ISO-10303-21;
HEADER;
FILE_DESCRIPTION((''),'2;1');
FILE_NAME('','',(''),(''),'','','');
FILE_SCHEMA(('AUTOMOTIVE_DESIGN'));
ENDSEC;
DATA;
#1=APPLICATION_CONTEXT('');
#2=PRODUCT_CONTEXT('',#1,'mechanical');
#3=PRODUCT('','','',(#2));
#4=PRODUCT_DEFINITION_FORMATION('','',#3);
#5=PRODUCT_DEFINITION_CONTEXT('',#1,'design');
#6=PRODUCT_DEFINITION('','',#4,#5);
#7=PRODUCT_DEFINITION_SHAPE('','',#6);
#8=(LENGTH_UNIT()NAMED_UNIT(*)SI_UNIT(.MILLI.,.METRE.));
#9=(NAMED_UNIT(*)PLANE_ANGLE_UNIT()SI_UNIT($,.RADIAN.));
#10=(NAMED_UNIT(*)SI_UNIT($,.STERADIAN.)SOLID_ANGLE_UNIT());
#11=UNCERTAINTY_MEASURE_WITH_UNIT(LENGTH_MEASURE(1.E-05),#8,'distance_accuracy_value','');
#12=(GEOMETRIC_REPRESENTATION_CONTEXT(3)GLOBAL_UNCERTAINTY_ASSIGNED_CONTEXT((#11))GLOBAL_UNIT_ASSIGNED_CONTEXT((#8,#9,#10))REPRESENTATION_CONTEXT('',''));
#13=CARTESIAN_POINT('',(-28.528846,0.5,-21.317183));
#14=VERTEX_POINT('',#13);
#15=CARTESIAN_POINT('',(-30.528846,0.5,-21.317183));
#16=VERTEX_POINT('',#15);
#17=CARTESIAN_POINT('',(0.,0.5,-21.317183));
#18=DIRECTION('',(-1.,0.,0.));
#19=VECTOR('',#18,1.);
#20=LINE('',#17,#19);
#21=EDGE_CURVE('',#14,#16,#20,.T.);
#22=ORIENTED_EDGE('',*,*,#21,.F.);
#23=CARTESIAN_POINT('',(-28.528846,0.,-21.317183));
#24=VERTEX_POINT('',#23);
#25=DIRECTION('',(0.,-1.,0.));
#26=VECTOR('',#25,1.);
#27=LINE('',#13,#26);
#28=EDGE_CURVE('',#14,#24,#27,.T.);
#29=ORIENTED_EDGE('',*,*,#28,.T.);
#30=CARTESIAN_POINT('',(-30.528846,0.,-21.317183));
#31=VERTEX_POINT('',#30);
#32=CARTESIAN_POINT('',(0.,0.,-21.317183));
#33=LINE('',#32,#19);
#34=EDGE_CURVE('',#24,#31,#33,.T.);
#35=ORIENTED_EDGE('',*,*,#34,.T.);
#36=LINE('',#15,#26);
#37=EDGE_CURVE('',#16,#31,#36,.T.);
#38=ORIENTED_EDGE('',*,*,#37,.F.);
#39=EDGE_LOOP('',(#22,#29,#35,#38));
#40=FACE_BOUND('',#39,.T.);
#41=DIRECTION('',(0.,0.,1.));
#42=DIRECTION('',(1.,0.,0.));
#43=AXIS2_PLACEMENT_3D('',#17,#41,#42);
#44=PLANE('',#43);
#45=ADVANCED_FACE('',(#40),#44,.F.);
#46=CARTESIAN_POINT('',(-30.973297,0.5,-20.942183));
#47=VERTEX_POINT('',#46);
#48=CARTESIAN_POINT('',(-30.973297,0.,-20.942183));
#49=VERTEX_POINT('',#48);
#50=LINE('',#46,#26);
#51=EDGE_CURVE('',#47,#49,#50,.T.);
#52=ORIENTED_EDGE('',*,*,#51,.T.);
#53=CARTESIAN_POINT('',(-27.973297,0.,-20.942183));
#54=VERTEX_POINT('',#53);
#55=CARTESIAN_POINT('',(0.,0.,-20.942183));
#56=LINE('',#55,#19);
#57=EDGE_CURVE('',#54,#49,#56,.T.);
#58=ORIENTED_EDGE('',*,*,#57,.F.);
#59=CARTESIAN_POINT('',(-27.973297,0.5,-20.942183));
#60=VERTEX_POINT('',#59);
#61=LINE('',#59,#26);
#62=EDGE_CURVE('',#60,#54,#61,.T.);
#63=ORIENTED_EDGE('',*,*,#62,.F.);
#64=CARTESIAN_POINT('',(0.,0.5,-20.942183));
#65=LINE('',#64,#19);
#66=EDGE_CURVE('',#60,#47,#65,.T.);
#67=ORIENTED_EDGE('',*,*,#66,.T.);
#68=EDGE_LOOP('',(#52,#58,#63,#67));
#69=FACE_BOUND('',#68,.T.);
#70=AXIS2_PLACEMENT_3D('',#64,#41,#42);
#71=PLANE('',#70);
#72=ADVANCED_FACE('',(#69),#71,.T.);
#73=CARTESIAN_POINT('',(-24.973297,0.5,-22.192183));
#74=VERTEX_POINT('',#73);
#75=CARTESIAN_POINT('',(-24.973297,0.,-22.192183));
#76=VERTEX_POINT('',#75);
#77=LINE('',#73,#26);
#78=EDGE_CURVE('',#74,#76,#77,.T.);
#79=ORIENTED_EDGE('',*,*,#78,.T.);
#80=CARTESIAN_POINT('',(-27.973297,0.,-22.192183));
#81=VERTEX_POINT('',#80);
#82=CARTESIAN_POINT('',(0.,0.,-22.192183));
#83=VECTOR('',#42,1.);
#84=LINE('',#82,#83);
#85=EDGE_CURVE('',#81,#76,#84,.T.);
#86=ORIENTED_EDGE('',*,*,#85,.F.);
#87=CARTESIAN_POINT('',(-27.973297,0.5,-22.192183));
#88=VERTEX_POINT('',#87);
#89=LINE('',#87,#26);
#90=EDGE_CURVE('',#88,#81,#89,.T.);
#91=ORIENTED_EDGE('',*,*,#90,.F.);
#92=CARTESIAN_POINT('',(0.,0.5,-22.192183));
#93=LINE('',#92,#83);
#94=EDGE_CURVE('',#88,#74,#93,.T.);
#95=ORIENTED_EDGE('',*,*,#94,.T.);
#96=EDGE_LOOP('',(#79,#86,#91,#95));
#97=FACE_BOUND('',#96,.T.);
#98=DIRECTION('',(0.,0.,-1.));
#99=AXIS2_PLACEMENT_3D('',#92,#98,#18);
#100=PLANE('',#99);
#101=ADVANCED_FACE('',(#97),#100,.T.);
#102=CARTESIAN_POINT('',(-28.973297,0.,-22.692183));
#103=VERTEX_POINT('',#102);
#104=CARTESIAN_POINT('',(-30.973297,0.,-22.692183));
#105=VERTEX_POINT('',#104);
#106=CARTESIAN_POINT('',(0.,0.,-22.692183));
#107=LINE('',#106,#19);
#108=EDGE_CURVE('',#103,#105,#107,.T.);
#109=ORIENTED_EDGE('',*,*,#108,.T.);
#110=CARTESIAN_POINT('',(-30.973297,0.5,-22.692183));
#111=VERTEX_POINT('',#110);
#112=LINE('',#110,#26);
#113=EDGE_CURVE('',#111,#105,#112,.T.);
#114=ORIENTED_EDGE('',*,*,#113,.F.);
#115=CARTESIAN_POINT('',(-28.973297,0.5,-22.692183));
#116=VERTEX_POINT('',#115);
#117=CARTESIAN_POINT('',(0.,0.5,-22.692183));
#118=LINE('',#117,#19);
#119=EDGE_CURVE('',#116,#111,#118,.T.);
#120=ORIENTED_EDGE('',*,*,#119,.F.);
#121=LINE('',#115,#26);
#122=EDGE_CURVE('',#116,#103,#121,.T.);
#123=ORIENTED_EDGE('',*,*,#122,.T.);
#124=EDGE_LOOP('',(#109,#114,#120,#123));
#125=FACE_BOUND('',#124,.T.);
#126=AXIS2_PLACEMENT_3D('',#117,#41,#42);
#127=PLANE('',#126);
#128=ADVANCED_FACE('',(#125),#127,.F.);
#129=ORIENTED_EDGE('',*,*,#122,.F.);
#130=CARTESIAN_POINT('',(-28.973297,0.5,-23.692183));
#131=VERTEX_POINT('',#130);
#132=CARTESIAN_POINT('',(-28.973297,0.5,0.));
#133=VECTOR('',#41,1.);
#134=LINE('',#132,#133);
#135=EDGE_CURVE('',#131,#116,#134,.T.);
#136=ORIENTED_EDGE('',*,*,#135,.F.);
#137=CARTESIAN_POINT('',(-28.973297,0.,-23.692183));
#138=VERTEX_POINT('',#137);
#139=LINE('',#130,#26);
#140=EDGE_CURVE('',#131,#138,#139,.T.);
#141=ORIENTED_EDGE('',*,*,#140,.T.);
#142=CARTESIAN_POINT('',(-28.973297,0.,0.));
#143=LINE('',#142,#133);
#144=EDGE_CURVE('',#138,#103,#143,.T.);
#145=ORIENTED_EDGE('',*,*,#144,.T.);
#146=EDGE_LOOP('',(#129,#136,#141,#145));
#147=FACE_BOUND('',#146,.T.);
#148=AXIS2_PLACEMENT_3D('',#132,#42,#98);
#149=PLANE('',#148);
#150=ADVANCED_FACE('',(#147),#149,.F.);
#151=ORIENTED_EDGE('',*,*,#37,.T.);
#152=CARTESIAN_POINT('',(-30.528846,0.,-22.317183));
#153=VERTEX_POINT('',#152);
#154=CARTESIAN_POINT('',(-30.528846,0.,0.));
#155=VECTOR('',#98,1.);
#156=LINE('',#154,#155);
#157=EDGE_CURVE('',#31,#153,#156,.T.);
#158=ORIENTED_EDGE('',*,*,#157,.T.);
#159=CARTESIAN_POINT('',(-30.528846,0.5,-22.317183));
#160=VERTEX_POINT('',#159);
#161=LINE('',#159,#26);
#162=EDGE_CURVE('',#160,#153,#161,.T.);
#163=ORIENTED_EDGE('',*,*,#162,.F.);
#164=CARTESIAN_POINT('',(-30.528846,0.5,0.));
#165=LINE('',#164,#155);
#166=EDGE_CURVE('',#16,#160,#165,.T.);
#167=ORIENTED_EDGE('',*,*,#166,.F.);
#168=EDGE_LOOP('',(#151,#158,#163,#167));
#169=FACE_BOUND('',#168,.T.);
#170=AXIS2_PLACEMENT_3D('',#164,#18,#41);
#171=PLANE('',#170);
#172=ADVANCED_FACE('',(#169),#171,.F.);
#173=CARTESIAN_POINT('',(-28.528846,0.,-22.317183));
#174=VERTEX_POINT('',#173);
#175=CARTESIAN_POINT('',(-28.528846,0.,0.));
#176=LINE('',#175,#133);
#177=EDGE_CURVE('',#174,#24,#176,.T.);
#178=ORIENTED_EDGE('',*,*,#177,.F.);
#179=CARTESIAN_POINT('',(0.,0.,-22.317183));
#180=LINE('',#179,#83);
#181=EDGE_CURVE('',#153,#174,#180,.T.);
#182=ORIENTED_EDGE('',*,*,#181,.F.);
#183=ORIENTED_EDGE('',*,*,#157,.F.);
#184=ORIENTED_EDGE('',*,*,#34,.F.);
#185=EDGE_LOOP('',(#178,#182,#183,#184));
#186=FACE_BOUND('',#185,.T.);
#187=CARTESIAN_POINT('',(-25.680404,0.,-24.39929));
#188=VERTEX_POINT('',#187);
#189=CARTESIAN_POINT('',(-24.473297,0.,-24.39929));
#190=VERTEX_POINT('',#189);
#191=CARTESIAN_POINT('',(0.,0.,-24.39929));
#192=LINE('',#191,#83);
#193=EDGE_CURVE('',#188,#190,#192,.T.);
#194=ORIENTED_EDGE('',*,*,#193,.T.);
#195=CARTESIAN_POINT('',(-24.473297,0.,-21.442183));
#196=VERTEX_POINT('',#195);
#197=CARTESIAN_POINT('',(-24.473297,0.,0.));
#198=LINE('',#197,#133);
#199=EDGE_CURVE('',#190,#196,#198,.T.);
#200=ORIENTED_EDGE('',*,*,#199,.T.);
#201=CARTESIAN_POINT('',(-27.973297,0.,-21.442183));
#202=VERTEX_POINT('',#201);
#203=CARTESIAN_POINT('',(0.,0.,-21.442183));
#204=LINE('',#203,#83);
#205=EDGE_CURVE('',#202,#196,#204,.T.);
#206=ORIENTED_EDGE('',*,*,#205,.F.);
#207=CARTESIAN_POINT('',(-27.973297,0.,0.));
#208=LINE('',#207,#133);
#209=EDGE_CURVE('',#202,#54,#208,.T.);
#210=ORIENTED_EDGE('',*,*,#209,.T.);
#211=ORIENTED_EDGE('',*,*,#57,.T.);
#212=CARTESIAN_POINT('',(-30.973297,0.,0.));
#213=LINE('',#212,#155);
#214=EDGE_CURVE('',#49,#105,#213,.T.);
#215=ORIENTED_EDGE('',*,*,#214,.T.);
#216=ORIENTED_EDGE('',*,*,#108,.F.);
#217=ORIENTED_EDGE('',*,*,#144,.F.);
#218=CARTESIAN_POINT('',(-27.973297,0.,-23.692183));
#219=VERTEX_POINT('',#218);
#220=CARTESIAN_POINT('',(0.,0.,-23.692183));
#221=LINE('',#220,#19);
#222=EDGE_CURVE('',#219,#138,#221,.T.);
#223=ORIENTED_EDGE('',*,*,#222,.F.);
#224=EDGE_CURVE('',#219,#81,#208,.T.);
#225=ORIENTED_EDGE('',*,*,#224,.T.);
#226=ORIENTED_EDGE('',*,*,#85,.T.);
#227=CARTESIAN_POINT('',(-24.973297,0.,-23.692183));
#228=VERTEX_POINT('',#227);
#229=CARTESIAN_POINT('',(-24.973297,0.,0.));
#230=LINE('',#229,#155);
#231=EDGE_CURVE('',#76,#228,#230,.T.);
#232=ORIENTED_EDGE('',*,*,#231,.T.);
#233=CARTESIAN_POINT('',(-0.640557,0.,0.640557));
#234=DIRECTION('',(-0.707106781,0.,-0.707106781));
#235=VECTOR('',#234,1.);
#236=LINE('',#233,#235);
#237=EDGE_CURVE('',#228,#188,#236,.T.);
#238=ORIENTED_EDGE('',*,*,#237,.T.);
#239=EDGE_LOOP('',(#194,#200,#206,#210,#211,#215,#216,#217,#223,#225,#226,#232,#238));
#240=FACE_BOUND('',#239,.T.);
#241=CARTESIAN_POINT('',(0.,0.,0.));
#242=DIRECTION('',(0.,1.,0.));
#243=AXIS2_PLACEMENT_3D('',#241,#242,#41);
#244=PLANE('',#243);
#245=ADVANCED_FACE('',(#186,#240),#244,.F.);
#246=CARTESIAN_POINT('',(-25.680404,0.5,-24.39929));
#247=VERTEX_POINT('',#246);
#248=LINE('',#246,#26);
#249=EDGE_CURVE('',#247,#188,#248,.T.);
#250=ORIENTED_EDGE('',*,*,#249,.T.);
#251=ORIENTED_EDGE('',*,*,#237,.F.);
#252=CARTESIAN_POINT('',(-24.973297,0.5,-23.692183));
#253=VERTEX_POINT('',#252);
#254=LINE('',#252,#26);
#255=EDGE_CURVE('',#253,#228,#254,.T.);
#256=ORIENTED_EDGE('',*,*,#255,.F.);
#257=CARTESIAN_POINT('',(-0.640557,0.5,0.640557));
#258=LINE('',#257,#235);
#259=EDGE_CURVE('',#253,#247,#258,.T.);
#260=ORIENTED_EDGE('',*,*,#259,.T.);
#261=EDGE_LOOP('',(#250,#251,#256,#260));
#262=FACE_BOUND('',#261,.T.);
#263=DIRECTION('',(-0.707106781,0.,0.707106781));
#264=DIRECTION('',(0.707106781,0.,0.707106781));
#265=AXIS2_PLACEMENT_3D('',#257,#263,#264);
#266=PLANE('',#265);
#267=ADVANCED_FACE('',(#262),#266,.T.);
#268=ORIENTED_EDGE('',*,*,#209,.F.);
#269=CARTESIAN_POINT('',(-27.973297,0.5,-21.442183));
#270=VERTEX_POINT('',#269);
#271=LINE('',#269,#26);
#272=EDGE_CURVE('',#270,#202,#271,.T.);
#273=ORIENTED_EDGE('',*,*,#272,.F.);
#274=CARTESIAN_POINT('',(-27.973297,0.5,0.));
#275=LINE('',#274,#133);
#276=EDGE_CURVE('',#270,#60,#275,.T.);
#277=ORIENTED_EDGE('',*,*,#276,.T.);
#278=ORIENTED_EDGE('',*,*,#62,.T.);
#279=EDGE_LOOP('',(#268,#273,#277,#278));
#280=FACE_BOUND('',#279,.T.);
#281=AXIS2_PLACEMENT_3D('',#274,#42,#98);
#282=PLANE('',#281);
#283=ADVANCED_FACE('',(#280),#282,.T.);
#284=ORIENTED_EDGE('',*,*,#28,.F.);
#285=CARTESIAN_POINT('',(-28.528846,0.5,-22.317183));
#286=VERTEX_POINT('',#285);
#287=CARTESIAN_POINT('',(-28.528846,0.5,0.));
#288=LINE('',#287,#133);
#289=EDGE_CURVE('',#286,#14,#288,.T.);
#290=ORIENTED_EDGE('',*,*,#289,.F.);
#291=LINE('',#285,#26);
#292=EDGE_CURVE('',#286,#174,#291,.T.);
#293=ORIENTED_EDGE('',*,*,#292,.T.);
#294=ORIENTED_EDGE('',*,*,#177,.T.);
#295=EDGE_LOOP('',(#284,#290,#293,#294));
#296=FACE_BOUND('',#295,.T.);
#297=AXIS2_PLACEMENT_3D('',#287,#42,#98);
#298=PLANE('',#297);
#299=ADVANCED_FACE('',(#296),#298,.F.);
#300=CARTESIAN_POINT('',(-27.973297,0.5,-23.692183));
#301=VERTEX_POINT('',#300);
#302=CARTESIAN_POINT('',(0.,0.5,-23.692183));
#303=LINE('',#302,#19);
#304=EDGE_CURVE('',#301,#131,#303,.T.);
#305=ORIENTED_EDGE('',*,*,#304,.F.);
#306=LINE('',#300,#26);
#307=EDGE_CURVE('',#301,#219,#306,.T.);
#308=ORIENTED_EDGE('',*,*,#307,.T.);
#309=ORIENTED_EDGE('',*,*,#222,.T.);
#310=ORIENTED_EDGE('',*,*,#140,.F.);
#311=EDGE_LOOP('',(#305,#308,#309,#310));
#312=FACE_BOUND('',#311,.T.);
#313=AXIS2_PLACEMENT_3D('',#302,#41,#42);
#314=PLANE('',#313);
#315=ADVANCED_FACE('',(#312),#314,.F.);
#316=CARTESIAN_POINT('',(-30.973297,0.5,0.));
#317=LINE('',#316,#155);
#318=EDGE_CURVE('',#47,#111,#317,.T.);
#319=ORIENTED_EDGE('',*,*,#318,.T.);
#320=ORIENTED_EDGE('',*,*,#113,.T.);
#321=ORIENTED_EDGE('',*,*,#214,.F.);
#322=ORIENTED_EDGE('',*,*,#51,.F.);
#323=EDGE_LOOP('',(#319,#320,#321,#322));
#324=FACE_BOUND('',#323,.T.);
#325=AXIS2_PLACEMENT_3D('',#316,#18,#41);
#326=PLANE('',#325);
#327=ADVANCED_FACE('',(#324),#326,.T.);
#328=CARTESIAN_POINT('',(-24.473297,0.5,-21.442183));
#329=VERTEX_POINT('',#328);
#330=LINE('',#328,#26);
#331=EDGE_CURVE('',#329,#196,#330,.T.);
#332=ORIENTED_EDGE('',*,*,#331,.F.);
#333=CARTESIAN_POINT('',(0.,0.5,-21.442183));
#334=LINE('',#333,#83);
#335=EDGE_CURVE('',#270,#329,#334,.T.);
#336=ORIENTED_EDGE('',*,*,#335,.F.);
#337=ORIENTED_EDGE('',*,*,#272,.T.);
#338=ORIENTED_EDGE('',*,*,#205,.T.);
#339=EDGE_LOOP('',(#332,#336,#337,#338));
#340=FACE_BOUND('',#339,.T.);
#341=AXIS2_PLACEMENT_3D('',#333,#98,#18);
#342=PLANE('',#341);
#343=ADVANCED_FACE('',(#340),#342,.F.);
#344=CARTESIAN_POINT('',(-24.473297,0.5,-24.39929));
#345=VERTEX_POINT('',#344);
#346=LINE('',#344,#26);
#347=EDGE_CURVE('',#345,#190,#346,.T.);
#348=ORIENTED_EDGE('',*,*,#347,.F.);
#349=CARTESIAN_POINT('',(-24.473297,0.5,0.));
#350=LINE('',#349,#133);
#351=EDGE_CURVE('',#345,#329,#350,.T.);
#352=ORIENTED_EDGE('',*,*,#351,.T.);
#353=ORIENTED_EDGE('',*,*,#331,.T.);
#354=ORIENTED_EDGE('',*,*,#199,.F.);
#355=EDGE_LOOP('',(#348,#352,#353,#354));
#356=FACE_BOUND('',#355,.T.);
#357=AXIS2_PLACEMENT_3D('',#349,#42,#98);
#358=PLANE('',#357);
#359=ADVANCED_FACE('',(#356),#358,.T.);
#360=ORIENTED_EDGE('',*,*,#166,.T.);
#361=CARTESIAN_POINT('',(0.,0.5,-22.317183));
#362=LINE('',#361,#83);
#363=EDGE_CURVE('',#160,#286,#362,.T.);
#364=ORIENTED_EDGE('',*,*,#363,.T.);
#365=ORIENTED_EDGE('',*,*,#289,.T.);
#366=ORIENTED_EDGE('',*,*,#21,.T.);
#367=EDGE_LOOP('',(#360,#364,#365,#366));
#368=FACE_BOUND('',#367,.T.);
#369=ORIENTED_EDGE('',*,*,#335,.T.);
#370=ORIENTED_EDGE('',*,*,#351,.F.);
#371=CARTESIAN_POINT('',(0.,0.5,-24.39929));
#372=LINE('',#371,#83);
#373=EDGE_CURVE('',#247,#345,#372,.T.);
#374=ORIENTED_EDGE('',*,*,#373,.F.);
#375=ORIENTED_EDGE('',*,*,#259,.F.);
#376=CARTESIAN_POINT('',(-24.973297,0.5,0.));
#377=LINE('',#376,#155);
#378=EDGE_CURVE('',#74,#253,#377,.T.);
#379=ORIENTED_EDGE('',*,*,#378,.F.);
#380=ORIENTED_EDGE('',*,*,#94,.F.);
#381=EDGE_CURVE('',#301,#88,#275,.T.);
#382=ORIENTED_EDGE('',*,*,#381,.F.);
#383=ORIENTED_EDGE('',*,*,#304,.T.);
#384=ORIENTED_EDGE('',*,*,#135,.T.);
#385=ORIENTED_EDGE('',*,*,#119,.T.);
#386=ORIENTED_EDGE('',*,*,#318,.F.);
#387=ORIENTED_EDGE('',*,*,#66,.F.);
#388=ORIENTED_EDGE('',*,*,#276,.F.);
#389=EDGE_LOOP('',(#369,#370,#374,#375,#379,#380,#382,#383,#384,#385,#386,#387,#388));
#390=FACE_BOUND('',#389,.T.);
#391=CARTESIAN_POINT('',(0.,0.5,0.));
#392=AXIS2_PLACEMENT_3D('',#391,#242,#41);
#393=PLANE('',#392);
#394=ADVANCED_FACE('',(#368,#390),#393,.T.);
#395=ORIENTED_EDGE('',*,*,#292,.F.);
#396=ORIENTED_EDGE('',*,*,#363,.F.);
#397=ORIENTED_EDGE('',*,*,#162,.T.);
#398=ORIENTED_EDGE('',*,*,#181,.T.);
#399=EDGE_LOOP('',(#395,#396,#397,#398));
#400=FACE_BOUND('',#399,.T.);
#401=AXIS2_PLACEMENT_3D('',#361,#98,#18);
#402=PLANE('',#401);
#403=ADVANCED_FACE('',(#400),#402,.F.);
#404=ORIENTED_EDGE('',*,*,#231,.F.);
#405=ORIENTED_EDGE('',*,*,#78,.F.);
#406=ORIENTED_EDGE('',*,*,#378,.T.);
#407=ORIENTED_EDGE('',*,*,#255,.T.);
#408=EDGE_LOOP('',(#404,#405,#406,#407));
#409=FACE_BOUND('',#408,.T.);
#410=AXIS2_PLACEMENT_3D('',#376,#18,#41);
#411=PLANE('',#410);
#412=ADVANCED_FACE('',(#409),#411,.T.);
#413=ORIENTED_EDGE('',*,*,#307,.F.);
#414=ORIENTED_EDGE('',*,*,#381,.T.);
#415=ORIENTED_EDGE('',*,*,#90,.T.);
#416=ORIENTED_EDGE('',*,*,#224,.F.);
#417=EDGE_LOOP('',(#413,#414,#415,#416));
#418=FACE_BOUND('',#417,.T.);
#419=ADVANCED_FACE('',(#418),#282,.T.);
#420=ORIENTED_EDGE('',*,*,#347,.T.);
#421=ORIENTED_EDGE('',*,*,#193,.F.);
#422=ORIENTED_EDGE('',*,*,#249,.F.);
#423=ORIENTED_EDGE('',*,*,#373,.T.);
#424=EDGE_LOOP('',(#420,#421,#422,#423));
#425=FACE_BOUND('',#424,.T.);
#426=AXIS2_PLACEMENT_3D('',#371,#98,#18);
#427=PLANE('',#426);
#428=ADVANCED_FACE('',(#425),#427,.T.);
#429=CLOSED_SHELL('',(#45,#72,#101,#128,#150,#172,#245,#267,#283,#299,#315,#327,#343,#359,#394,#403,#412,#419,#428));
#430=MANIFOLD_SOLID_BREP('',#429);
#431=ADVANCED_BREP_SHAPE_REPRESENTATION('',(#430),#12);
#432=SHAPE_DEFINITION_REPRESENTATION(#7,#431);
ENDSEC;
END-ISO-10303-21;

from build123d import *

# Parameters (mm, degrees)
BOSS_EXTRUDE1_DEPTH = 0.5


with BuildPart() as part:
    # Sketch1 → Boss-Extrude1 (new body)
    with BuildSketch(Plane(origin=(0, 0, 0), x_dir=(1, 0, 0), z_dir=(0, 1, 0))):
        Polygon((-24.973296771, 22.192182778), (-27.973296771, 22.192182778), (-27.973296771, 23.692182778), (-28.973296771, 23.692182778), (-28.973296771, 22.692182778), (-30.973296771, 22.692182778), (-30.973296771, 21.817182778), (-30.973296771, 20.942182778), (-27.973296771, 20.942182778), (-27.973296771, 21.442182778), (-24.473296771, 21.442182778), (-24.473296771, 24.399289559), (-25.680403552, 24.399289559), (-24.973296771, 23.692182778), align=None)
        Polygon((-30.528845953, 21.317182778), (-30.528845953, 21.817182778), (-30.528845953, 22.317182778), (-28.528845953, 22.317182778), (-28.528845953, 21.317182778), align=None, mode=Mode.SUBTRACT)
    extrude(amount=BOSS_EXTRUDE1_DEPTH)


solid = part.part
